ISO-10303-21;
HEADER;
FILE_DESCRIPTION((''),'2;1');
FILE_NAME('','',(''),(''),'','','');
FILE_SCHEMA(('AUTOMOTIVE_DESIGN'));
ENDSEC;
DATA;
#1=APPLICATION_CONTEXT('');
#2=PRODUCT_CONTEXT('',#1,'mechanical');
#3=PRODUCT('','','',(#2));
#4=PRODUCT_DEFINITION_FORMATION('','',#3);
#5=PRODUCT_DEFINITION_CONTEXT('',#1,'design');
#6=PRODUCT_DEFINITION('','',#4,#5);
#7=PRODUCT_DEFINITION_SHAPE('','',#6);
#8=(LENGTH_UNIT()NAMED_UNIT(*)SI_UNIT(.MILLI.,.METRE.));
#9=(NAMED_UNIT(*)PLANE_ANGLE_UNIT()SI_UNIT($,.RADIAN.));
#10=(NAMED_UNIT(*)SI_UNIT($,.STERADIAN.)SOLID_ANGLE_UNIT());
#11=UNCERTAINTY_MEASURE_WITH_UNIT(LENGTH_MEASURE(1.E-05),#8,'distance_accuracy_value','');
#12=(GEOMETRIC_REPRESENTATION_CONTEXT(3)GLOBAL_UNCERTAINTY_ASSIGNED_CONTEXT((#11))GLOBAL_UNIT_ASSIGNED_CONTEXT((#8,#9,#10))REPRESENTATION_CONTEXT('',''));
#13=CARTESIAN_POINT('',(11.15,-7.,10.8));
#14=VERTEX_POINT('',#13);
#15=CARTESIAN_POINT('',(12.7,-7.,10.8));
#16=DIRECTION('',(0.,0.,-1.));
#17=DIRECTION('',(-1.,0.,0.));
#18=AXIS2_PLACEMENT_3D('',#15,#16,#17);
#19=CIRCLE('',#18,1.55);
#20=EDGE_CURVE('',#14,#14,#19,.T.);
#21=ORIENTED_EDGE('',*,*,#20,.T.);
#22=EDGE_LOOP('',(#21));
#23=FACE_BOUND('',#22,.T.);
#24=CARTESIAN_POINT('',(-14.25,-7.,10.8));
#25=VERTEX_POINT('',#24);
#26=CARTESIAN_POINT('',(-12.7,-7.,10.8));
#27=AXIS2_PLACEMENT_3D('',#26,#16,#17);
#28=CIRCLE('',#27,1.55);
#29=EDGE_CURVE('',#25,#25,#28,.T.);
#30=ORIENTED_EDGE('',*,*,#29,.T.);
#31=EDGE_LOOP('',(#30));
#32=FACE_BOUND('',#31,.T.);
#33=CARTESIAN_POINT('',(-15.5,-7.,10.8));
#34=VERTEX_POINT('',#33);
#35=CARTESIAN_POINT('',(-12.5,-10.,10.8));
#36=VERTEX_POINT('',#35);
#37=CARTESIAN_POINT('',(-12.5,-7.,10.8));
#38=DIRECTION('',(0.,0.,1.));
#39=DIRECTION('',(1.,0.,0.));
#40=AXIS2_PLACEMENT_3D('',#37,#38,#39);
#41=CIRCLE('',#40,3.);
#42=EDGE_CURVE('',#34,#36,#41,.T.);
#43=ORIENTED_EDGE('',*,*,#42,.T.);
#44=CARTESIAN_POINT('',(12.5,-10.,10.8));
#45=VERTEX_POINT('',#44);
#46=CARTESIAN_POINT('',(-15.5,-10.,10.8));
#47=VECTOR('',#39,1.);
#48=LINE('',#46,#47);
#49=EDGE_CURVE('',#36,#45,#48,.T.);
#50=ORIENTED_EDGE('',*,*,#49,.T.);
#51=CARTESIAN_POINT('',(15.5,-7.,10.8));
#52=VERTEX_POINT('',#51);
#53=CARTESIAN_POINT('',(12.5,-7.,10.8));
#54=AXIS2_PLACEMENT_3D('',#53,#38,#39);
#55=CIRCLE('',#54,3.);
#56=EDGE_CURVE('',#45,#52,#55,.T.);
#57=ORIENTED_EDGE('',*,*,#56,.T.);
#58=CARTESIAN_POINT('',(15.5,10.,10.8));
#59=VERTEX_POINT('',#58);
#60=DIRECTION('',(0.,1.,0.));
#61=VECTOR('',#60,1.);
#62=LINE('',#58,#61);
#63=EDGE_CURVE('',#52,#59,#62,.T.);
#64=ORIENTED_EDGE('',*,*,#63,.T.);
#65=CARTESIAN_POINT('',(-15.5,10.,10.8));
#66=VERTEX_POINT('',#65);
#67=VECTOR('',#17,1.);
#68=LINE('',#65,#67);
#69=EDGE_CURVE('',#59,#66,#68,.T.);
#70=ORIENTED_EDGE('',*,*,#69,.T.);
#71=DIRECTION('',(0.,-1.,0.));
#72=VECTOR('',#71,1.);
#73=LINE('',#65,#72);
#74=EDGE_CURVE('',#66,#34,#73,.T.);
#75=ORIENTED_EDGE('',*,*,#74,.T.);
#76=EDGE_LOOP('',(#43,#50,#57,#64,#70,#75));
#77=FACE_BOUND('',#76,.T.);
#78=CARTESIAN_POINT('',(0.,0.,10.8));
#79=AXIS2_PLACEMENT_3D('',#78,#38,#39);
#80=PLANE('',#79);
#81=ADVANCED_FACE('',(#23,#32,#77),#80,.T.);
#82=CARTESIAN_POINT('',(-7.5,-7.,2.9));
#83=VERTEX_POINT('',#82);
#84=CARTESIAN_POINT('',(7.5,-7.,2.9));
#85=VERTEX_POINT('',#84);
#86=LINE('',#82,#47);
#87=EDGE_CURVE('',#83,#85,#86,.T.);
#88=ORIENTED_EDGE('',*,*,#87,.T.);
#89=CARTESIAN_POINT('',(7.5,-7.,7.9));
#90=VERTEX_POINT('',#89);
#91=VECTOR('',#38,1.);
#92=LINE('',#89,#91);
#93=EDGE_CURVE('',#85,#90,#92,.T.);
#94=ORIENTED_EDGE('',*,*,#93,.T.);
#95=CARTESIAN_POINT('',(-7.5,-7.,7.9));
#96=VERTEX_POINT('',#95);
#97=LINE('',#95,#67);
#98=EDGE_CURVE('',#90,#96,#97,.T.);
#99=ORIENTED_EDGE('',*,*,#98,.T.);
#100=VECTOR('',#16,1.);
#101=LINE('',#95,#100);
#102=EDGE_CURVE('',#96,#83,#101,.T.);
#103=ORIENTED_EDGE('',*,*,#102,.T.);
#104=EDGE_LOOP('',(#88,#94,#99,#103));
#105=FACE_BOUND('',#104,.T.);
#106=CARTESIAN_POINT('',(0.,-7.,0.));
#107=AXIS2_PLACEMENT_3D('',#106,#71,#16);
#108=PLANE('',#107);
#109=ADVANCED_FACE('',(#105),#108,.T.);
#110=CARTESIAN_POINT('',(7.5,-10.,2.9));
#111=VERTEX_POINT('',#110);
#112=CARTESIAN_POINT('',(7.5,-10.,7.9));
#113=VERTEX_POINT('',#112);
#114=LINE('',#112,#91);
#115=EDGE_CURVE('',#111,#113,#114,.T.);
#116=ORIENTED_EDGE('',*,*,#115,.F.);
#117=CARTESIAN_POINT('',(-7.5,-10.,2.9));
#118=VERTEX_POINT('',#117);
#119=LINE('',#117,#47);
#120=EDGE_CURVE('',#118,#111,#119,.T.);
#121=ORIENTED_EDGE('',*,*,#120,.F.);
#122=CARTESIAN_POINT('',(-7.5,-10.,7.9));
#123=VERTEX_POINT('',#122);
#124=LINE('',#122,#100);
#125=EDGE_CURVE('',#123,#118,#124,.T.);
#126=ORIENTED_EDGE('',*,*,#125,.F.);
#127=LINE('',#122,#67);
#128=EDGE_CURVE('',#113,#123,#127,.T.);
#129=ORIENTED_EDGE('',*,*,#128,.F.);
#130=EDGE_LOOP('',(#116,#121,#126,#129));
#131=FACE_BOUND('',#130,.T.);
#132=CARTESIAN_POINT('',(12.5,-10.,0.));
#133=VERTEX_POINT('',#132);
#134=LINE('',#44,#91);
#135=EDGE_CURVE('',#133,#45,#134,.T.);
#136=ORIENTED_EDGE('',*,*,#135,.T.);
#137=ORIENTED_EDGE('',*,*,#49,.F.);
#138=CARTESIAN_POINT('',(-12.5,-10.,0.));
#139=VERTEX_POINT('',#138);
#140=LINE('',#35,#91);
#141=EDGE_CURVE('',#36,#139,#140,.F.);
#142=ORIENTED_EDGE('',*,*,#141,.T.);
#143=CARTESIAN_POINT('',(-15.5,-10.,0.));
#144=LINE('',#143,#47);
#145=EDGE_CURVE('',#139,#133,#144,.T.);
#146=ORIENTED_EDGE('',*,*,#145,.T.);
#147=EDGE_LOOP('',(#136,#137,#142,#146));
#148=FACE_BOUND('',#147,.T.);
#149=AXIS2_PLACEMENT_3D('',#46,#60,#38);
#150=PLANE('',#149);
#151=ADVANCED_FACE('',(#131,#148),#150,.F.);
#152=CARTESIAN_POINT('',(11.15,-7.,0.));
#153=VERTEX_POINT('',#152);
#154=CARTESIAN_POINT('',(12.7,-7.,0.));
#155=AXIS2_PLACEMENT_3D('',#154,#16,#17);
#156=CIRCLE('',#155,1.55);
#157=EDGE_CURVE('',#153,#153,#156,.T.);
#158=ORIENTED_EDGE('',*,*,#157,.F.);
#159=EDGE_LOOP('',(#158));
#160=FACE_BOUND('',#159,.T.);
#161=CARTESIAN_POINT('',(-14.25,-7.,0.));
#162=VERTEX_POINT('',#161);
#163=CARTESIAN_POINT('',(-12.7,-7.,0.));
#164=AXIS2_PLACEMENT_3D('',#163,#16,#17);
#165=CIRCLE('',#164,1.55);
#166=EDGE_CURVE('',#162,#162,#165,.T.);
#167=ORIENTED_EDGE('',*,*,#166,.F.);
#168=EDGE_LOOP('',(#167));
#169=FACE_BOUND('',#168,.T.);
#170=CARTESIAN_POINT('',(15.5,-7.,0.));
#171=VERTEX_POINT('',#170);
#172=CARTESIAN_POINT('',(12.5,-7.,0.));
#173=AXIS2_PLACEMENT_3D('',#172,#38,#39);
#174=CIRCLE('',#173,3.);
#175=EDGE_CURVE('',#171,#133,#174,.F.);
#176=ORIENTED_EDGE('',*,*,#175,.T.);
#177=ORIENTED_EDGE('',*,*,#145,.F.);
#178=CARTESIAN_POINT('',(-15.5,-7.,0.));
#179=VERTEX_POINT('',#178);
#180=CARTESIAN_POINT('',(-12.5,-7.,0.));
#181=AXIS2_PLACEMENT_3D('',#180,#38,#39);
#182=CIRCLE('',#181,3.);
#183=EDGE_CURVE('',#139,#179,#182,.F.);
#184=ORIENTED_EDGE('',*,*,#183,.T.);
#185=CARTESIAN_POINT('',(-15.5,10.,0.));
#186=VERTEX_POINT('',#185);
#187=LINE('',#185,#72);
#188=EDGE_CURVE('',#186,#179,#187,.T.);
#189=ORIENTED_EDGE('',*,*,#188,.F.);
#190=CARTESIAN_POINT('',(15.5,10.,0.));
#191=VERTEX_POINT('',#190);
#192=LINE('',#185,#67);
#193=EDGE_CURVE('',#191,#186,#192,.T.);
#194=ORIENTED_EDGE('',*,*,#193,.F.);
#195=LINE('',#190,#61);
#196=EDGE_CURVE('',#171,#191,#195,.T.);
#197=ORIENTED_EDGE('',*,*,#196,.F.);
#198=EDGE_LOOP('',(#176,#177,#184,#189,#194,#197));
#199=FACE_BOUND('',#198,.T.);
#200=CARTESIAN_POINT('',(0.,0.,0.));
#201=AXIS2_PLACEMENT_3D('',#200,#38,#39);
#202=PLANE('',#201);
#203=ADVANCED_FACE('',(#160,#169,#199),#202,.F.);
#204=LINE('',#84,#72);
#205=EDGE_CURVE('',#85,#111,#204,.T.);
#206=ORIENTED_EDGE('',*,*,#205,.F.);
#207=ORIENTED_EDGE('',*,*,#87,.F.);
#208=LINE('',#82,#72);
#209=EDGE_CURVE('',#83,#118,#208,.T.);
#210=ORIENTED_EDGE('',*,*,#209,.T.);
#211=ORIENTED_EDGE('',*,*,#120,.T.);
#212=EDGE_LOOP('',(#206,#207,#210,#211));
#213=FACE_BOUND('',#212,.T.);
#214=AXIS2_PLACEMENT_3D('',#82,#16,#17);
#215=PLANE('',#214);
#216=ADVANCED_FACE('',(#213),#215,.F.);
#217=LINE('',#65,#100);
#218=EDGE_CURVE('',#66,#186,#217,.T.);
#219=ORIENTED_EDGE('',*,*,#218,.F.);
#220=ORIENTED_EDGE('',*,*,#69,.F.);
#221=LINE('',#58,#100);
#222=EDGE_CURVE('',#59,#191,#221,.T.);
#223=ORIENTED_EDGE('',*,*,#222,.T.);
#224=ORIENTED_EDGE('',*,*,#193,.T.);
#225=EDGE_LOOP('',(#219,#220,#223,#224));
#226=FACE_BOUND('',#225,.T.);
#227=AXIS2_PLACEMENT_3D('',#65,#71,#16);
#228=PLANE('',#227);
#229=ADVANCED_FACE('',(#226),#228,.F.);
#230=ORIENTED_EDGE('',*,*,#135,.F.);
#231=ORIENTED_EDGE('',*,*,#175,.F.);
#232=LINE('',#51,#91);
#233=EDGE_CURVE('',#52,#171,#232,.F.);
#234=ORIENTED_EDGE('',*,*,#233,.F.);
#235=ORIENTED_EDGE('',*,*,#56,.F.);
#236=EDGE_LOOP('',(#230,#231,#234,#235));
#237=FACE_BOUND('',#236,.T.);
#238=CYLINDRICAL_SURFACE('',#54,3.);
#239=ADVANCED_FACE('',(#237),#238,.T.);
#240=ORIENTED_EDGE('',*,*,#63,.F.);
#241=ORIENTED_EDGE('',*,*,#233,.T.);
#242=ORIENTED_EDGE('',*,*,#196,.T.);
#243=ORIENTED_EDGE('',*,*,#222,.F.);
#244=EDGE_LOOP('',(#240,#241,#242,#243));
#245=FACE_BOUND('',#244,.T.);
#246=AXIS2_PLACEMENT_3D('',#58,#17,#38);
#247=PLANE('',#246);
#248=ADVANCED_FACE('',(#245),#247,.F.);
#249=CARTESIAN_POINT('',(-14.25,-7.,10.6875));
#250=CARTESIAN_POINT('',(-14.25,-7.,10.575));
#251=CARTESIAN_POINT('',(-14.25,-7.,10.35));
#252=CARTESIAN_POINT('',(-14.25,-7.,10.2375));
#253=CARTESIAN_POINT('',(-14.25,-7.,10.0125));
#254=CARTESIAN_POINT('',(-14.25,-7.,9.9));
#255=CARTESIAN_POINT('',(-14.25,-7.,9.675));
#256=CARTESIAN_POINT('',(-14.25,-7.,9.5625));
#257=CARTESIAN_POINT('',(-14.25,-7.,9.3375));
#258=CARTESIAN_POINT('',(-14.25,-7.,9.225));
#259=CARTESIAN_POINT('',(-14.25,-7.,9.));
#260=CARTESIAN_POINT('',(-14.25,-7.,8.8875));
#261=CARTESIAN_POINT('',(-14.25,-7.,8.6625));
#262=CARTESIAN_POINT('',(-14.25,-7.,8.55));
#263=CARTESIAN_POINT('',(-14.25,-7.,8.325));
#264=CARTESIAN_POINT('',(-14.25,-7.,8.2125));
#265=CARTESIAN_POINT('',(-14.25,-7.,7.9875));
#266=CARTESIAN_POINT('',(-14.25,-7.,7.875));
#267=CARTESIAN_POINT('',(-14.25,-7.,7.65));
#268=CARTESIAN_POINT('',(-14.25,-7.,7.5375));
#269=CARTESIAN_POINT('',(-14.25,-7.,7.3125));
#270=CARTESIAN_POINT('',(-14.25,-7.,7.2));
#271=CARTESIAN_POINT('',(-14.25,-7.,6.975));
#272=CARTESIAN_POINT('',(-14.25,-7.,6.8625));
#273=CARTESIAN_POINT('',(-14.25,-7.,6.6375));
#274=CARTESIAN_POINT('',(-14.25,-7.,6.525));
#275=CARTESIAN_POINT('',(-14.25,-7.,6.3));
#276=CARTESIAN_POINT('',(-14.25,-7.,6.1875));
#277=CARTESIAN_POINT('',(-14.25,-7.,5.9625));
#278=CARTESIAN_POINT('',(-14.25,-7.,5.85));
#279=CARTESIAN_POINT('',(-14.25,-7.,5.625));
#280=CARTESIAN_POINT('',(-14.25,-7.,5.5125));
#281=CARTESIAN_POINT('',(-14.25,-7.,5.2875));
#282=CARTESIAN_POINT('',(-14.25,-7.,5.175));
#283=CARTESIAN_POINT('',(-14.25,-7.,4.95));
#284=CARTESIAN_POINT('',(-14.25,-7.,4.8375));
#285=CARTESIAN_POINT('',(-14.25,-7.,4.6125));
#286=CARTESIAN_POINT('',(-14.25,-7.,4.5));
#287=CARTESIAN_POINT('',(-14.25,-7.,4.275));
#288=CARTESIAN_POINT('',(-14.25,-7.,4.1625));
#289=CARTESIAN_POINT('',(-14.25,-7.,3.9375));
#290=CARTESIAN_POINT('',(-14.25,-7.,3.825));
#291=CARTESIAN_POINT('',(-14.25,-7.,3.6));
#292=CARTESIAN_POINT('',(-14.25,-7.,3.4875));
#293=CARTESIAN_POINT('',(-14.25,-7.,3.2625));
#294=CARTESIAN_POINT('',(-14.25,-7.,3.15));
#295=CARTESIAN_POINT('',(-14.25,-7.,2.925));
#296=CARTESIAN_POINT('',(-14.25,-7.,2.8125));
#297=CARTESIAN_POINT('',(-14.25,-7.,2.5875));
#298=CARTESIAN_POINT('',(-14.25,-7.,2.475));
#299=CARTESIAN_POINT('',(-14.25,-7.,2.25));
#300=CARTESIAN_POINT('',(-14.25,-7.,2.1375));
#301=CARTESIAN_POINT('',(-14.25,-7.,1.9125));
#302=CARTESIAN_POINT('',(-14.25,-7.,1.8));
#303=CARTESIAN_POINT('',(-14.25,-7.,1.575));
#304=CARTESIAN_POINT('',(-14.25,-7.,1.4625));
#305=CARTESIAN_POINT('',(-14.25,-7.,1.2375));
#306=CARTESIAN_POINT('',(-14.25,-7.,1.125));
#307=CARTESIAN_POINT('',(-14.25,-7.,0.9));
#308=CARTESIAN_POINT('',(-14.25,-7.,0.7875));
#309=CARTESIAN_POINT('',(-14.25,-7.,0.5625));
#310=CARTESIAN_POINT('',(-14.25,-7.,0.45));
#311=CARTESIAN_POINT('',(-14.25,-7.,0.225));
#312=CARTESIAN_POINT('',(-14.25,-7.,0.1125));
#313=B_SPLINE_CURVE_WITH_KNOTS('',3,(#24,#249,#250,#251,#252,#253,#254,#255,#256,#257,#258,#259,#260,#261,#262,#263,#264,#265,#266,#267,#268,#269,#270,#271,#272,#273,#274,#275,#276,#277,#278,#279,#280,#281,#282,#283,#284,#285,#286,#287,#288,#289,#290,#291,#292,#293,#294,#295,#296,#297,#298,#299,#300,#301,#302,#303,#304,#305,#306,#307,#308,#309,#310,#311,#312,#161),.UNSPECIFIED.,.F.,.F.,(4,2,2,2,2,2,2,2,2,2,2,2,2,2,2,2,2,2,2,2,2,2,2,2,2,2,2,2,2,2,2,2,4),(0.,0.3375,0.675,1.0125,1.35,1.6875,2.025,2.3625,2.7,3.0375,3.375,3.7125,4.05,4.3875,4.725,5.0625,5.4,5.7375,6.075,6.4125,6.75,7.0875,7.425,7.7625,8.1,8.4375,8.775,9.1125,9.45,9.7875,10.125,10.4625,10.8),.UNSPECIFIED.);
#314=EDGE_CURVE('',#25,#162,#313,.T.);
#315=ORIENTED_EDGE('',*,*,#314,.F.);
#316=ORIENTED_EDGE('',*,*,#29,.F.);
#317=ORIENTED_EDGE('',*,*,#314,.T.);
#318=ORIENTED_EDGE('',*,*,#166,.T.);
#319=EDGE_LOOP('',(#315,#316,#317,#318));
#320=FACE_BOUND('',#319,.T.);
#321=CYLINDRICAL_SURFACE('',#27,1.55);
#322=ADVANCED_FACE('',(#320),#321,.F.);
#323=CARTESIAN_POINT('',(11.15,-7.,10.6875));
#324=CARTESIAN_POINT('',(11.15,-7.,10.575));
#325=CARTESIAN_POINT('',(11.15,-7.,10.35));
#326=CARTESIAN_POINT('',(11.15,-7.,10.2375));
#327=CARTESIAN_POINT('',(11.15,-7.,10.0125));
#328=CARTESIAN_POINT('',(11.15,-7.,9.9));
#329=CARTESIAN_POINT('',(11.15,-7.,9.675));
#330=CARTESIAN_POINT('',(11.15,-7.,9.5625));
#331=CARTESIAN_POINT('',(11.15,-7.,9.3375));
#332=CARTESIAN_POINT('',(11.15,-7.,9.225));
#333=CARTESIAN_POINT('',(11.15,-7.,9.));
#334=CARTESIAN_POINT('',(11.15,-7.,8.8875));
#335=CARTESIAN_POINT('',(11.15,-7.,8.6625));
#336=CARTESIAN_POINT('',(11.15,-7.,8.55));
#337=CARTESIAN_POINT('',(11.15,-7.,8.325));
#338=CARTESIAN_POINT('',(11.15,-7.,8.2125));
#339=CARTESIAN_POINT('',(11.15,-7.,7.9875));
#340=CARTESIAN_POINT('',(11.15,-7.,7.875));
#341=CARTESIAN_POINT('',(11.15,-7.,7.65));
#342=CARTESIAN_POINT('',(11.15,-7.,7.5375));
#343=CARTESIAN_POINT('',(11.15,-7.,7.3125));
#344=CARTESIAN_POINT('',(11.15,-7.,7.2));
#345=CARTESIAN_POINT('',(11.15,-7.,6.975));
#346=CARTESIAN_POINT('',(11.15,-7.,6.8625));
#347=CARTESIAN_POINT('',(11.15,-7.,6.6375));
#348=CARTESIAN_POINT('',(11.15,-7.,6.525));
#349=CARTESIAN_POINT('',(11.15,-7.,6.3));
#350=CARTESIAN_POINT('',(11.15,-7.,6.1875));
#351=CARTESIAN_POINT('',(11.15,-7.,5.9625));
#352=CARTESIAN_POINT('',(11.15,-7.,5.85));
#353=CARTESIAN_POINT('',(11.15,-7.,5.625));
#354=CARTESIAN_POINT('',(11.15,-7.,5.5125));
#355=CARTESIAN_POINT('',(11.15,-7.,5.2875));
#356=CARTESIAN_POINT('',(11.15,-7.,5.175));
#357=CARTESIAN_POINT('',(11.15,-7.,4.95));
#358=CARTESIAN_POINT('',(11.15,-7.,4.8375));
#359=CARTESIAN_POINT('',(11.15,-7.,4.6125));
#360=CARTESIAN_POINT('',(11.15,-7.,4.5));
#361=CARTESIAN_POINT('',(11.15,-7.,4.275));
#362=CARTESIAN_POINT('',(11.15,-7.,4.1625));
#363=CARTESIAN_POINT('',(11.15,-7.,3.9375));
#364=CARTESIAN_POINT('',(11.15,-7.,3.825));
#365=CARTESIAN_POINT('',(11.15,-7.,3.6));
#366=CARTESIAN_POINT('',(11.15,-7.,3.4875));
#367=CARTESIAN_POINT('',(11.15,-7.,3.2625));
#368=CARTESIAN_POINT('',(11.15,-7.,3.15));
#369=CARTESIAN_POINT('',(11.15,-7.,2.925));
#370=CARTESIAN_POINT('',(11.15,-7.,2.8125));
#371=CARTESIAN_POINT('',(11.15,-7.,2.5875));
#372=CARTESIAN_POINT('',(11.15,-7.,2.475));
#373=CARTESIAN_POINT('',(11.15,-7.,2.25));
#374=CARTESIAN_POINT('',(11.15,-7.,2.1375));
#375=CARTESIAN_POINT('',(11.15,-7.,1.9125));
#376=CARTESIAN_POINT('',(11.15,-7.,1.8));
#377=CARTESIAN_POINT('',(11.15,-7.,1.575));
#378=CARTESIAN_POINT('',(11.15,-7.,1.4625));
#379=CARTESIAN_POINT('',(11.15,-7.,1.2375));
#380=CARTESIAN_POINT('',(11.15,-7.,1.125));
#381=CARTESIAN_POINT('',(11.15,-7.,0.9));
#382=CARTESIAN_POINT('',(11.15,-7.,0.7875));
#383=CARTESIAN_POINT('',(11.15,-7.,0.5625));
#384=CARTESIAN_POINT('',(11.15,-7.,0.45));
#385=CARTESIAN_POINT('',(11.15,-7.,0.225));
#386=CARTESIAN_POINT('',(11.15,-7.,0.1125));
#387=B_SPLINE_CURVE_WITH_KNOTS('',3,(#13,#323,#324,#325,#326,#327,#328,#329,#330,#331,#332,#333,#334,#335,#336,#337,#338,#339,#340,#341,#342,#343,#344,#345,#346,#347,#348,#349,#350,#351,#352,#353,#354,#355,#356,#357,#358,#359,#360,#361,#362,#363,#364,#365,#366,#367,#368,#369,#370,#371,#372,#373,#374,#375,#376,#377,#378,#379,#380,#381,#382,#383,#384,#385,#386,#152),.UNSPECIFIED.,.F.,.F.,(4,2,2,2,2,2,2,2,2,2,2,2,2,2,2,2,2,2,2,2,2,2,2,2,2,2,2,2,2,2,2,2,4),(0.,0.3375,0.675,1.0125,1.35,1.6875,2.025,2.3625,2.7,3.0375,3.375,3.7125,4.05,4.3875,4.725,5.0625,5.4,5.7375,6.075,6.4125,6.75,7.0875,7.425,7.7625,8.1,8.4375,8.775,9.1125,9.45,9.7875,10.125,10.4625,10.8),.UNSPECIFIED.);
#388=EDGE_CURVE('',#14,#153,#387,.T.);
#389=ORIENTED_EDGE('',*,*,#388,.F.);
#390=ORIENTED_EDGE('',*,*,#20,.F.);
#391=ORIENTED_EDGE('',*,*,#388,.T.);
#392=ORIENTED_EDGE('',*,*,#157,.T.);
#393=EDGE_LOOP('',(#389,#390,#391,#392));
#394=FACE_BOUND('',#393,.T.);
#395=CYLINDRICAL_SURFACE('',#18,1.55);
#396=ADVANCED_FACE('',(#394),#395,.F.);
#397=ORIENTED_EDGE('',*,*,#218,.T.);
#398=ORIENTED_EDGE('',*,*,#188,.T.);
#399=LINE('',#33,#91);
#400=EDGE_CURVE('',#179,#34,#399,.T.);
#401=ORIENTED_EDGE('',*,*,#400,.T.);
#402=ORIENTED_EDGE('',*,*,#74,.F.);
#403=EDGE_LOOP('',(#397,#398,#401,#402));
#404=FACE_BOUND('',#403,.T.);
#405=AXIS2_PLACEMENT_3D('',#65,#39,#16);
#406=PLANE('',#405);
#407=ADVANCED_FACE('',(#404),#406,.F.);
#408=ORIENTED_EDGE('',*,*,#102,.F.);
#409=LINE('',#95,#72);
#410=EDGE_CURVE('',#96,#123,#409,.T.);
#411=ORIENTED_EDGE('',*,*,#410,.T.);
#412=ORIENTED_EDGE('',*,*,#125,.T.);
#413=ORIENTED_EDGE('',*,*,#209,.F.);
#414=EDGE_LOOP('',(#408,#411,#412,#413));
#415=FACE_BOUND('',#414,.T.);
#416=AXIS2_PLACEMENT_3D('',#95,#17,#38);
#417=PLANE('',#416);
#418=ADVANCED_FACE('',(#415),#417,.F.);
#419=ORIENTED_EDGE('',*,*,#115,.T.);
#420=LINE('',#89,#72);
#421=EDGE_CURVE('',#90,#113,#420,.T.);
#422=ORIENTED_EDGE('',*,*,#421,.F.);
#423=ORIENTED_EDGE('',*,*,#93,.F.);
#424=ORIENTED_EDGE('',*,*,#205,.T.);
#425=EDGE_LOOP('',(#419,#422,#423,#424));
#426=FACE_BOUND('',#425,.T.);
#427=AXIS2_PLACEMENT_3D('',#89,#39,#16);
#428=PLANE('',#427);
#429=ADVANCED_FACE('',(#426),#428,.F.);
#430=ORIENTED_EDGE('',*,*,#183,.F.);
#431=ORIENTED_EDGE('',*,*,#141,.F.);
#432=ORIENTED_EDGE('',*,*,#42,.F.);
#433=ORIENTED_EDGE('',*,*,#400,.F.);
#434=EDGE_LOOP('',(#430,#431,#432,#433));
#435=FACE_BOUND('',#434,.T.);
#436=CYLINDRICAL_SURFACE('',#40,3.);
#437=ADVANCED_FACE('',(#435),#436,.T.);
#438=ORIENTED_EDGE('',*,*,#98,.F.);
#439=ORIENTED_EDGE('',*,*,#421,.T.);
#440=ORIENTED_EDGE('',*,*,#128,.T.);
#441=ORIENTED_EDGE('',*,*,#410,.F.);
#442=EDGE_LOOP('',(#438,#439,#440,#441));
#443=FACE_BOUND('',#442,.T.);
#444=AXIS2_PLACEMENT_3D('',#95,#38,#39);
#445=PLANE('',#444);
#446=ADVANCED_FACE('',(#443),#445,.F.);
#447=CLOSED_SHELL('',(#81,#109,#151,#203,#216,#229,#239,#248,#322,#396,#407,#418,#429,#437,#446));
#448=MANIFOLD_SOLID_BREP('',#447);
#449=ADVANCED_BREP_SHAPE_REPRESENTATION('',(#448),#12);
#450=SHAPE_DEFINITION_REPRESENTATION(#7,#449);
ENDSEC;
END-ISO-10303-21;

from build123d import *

# Parameters (mm, degrees)
SKETCH_1_W          = 31
SKETCH_1_H          = 20
EXTRUDE_1_DEPTH     = 10.8
SKETCH_2_R          = 1.55
CUT_EXTRUDE_1_DEPTH = 22.37498538
FILLET_1_R          = 3
FILLET_2_R          = 3
SKETCH_3_W          = 15
SKETCH_3_H          = 5
CUT_EXTRUDE_2_DEPTH = 3


with BuildPart() as part:
    # 草图1 → 凸台-拉伸1 (new body)
    with BuildSketch(Plane.XY):
        Rectangle(SKETCH_1_W, SKETCH_1_H)
    extrude(amount=EXTRUDE_1_DEPTH)

    # 草图2 → 切除-拉伸1 (cut, through all)
    with BuildSketch(Plane(origin=(0, 0, 0), x_dir=(-1, 0, 0), z_dir=(0, 0, -1))):
        with Locations((-12.7, -7)):
            Circle(SKETCH_2_R)
        with Locations((12.7, -7)):
            Circle(SKETCH_2_R)
    extrude(amount=-CUT_EXTRUDE_1_DEPTH, mode=Mode.SUBTRACT)

    # 圆角1
    fillet_1_edges = [part.edges().sort_by_distance(p)[0] for p in [
        (-15.5, -10, 5.4),
    ]]
    fillet(fillet_1_edges, radius=FILLET_1_R)

    # 圆角2
    fillet_2_edges = [part.edges().sort_by_distance(p)[0] for p in [
        (15.5, -10, 5.4),
    ]]
    fillet(fillet_2_edges, radius=FILLET_2_R)

    # 草图3 → 切除-拉伸2 (cut)
    with BuildSketch(Plane.XZ.offset(10)):
        with Locations((0, 5.4)):
            Rectangle(SKETCH_3_W, SKETCH_3_H)
    extrude(amount=-CUT_EXTRUDE_2_DEPTH, mode=Mode.SUBTRACT)


solid = part.part
